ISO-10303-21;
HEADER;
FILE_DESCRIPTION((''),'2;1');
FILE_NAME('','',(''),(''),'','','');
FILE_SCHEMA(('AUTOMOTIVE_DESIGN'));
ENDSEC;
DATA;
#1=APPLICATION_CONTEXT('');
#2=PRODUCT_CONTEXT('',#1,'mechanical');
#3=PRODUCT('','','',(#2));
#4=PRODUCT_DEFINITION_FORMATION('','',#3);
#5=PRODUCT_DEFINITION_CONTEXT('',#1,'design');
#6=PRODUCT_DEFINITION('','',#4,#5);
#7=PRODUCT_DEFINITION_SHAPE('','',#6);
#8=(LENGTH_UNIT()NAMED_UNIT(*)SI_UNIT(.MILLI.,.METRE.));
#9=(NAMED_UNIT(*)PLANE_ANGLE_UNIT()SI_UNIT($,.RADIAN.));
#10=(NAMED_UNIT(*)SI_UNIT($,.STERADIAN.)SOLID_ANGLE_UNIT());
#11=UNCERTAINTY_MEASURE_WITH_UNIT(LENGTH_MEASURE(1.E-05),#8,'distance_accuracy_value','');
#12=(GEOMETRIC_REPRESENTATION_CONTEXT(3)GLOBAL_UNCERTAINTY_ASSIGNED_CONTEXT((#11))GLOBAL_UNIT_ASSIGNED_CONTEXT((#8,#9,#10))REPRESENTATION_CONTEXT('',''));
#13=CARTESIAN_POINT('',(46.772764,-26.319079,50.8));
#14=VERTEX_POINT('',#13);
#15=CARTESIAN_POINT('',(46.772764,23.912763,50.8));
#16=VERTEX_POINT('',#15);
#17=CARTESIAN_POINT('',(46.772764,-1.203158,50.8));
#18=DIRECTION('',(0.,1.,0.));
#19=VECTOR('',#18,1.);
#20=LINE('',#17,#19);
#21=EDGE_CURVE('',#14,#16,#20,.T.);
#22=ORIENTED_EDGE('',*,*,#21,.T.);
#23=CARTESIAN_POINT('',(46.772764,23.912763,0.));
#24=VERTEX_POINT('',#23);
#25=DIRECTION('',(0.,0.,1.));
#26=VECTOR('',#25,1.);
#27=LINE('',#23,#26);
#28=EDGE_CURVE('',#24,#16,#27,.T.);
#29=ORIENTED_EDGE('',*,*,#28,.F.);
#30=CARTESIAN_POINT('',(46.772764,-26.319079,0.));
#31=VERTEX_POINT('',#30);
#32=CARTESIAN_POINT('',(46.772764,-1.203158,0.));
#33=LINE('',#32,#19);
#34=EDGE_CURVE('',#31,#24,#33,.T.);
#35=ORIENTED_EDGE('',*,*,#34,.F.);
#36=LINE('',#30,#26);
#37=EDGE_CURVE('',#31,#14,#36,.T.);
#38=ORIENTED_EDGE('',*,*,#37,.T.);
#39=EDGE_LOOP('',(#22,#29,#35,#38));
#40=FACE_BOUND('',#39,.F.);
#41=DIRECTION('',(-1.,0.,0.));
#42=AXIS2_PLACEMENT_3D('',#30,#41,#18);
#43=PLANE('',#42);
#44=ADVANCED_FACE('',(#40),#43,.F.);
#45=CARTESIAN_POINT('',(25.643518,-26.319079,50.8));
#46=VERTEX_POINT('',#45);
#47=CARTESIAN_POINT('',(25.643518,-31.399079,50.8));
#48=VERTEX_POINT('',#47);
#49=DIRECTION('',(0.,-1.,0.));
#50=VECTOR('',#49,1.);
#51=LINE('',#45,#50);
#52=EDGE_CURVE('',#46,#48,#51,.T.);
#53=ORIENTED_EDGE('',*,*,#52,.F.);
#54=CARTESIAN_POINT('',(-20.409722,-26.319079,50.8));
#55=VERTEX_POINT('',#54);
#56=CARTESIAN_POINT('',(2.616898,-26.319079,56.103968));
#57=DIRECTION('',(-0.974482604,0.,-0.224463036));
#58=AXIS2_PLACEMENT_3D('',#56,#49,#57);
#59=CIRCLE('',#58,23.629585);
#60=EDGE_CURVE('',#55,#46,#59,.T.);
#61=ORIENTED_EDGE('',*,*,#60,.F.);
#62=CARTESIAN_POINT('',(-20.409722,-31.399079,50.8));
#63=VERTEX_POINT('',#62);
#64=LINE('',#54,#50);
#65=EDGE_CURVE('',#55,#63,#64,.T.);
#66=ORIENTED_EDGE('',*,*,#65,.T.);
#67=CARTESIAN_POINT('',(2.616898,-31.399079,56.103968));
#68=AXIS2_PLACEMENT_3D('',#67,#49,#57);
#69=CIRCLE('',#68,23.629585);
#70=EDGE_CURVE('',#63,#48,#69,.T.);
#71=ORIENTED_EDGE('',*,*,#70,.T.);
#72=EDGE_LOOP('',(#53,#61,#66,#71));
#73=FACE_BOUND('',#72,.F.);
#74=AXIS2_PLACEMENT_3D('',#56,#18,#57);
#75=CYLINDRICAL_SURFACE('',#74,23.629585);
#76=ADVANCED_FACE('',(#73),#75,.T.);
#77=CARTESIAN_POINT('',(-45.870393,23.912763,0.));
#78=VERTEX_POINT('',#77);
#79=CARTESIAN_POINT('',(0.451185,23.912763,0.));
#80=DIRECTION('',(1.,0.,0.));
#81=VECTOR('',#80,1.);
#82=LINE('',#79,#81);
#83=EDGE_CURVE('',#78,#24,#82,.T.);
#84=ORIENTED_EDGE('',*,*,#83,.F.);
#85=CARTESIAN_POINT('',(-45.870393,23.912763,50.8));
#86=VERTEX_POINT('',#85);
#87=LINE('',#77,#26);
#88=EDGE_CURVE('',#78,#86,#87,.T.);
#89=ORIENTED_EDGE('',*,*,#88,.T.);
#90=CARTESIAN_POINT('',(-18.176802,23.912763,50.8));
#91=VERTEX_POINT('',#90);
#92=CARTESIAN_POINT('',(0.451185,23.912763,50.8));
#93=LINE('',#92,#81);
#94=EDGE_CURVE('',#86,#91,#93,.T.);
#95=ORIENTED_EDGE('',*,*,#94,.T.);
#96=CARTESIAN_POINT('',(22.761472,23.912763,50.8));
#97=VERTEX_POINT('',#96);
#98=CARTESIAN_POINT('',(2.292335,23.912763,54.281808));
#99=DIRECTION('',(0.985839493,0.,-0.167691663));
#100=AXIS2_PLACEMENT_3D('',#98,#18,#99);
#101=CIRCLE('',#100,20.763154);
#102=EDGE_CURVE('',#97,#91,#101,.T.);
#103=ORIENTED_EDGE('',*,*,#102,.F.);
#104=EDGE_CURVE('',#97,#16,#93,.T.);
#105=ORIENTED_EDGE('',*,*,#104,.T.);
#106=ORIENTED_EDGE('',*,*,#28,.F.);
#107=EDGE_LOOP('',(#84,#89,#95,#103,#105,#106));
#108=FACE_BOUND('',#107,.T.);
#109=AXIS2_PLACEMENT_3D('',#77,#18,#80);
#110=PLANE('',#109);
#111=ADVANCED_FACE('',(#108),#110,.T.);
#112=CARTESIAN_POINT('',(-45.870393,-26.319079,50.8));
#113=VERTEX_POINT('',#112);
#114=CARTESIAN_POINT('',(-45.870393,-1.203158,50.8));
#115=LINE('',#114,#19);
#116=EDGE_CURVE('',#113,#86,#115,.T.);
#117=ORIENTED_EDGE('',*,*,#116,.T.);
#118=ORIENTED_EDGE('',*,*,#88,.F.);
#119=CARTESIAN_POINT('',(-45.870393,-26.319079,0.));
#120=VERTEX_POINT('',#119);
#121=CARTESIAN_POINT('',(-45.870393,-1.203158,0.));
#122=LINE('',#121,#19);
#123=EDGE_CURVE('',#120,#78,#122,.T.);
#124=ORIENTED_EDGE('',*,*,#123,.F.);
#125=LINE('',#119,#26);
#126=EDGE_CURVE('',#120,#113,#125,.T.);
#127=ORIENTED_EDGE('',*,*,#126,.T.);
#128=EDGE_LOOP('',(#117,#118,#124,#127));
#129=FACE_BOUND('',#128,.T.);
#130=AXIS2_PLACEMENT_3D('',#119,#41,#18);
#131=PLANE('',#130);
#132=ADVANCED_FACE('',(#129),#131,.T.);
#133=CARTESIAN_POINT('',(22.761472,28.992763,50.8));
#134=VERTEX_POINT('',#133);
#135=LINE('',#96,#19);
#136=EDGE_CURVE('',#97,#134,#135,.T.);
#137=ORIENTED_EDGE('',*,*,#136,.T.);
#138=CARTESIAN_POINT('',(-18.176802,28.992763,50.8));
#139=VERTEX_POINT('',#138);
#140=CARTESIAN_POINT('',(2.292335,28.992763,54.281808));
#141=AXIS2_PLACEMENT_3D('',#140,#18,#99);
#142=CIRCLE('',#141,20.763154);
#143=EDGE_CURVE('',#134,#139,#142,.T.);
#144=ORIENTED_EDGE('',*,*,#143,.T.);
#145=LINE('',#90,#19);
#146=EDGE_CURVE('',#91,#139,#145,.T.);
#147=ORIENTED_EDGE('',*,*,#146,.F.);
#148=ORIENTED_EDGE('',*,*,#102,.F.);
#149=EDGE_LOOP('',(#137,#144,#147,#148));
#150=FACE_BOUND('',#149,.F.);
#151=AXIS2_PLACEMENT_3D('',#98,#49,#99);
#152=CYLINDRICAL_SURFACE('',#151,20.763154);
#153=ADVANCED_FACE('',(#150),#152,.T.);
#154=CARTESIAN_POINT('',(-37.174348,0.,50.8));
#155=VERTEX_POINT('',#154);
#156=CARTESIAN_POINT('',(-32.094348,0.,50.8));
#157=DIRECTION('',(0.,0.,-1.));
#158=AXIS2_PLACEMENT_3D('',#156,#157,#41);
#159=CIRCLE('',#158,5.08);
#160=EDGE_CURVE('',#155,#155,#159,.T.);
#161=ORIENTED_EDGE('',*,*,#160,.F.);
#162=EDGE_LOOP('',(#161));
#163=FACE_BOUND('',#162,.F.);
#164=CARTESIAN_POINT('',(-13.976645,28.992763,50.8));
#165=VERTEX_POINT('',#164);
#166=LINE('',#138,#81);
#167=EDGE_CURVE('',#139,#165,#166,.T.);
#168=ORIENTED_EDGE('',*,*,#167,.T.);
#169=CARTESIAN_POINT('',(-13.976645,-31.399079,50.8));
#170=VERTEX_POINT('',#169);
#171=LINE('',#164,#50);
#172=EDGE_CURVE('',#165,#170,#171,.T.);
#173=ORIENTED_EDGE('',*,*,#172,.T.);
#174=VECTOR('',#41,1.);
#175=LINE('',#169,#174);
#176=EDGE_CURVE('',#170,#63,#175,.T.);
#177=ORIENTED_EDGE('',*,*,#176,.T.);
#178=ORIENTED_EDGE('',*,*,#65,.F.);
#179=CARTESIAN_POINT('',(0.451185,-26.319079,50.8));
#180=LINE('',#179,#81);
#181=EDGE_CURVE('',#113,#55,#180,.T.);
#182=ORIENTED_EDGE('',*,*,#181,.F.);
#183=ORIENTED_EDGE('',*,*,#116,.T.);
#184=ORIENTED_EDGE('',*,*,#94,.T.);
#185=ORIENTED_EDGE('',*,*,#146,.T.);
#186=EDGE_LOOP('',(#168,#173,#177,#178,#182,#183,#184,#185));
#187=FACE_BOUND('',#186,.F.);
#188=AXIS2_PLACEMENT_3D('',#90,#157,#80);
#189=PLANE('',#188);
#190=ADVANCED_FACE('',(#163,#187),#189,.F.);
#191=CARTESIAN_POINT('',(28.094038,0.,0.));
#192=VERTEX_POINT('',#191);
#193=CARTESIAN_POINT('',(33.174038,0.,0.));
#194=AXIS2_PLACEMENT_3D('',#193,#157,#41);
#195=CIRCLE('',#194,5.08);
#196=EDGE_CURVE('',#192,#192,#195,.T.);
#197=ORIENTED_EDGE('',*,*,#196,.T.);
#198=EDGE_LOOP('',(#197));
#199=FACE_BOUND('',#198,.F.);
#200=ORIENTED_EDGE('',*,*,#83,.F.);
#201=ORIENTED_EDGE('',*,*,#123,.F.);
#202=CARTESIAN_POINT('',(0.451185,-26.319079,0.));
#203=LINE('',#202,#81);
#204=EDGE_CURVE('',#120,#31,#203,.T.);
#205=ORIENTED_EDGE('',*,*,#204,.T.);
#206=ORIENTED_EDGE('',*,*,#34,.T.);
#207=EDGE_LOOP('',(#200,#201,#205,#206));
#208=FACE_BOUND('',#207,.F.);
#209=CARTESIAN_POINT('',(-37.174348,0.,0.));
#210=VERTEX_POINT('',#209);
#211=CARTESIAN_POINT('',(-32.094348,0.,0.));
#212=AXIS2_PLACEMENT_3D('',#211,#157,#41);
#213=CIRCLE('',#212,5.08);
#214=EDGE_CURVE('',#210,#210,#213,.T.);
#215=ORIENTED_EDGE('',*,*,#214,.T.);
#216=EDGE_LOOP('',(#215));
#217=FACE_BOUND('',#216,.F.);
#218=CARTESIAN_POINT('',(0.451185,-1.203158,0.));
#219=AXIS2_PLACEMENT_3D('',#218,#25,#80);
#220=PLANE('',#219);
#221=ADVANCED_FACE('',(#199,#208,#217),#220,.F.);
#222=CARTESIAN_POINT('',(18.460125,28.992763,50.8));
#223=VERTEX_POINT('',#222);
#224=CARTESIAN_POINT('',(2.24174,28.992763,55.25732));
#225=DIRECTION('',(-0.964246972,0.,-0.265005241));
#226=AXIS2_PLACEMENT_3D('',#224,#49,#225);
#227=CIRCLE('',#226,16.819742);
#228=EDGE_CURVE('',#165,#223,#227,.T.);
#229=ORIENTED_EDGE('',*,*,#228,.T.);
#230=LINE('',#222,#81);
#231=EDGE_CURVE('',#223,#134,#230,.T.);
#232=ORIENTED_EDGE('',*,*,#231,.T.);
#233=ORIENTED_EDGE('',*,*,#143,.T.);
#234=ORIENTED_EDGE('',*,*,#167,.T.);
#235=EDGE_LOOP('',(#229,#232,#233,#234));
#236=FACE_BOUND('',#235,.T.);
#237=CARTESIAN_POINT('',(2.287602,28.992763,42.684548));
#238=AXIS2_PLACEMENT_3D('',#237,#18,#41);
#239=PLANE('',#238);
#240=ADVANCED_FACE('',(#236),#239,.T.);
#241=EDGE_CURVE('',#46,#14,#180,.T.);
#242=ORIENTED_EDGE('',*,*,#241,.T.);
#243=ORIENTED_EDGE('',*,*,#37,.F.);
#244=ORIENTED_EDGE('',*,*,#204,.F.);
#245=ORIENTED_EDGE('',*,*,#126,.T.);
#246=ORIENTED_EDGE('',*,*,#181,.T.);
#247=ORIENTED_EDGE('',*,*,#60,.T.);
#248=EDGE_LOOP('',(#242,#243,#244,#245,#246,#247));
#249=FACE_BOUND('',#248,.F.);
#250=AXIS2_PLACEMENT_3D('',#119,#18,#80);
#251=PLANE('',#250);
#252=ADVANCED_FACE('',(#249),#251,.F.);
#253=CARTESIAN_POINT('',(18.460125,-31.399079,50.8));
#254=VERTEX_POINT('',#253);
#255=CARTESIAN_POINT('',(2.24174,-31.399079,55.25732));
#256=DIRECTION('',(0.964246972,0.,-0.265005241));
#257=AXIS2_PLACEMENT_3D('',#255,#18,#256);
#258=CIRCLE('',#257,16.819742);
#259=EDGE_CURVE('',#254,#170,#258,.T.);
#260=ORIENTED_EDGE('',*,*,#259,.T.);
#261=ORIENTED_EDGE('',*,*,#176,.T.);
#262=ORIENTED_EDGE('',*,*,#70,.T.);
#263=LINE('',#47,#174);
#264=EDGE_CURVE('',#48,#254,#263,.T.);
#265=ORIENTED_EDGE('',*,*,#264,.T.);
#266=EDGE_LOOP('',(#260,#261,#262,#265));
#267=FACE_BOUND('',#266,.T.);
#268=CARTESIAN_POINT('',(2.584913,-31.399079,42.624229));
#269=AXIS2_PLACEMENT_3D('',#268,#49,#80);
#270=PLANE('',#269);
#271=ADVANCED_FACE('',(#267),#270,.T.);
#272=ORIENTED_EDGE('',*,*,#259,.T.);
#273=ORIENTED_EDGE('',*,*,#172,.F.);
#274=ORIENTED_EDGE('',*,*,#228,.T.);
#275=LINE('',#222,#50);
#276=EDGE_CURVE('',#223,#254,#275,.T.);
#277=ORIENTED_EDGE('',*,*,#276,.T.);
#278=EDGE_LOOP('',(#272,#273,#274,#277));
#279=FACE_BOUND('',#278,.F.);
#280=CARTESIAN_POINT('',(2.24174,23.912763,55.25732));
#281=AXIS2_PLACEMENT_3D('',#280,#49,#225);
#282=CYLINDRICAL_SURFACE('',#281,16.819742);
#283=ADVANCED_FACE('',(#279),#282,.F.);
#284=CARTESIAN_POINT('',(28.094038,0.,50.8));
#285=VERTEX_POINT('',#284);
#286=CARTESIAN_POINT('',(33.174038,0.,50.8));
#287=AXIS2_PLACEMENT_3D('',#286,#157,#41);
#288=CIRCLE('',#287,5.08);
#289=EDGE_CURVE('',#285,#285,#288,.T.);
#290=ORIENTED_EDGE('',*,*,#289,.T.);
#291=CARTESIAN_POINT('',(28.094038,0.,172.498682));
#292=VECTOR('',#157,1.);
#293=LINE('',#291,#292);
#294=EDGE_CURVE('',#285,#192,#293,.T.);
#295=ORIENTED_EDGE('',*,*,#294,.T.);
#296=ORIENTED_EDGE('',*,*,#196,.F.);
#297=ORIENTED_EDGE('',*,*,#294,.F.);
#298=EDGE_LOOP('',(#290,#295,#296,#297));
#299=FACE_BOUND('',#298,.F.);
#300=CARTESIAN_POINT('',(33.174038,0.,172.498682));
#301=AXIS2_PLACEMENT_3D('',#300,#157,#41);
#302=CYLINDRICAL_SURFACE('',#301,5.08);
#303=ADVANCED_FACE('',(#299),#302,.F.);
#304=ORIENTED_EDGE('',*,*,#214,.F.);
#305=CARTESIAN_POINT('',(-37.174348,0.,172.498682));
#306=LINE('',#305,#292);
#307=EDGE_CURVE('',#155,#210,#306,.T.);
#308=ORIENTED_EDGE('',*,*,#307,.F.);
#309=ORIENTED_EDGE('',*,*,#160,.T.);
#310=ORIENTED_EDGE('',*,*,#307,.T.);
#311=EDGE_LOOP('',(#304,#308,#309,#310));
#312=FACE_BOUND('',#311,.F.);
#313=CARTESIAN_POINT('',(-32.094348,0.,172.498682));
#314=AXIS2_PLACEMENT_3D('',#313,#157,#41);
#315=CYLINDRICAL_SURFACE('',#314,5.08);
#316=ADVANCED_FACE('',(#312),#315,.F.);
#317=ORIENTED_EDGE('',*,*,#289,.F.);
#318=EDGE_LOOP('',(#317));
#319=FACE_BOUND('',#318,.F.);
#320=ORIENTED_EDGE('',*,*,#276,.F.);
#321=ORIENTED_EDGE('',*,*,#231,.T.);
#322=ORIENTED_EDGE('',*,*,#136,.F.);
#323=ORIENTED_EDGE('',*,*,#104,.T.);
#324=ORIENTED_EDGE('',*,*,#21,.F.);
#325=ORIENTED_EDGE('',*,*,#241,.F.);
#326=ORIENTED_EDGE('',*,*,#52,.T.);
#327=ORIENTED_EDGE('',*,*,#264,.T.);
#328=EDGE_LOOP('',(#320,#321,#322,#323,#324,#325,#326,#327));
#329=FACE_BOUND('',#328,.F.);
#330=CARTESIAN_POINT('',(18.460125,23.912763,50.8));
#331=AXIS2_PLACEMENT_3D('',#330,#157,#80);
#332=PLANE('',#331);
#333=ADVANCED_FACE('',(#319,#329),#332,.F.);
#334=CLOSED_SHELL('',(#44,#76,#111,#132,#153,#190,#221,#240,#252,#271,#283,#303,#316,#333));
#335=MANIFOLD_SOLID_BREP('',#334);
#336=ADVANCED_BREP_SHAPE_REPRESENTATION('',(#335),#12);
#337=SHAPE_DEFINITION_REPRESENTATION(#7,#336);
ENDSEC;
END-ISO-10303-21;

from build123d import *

# Parameters (mm, degrees)
F0_W     = 92.643157
F0_H     = 50.231842
F1_DEPTH = 50.8
F3_DEPTH = 91.948
F4_DEPTH = 5.08
F6_DEPTH = 5.08
F9_D     = 10.16


with BuildPart() as f1:
    # F0 (on Top) → F1 (new body)
    with BuildSketch(Plane.XY):
        with Locations((0.451185, -1.203158)):
            Rectangle(F0_W, F0_H)
    extrude(amount=F1_DEPTH)

    # F2 (on face) → F3 (cut)
    with BuildSketch(Plane.XZ.offset(26.319079)):
        with BuildLine():
            Line((18.460125, 50.8), (-13.976645, 50.8))
            ThreePointArc((-13.976645, 50.8), (2.24174, 38.437578), (18.460125, 50.8))
        make_face()
    extrude(amount=-F3_DEPTH, mode=Mode.SUBTRACT)

    # F2 (on face) → F4 (join)
    with BuildSketch(Plane.XZ.offset(26.319079)):
        with BuildLine():
            ThreePointArc((18.460125, 50.8), (2.24174, 38.437578), (-13.976645, 50.8))
            Line((-13.976645, 50.8), (-20.409722, 50.8))
            ThreePointArc((-20.409722, 50.8), (2.616898, 32.474383), (25.643518, 50.8))
            Line((25.643518, 50.8), (18.460125, 50.8))
        make_face()
    extrude(amount=F4_DEPTH)

    # F5 (on face) → F6 (join)
    with BuildSketch(Plane(origin=(0, 23.912763, 0), x_dir=(-1, 0, 0), z_dir=(0, 1, 0))):
        with BuildLine():
            Line((-18.460125, 50.8), (-22.761472, 50.8))
            ThreePointArc((-22.761472, 50.8), (-2.292335, 33.518654), (18.176802, 50.8))
            Line((18.176802, 50.8), (13.976645, 50.8))
            ThreePointArc((13.976645, 50.8), (-2.24174, 38.437578), (-18.460125, 50.8))
        make_face()
    extrude(amount=F6_DEPTH)

    # F9 (through all)
    with Locations(Plane.XY.offset(50.8)):
        with Locations((-32.094348, 0), (33.174038, 0)):
            Hole(F9_D / 2)


solid = f1.part
